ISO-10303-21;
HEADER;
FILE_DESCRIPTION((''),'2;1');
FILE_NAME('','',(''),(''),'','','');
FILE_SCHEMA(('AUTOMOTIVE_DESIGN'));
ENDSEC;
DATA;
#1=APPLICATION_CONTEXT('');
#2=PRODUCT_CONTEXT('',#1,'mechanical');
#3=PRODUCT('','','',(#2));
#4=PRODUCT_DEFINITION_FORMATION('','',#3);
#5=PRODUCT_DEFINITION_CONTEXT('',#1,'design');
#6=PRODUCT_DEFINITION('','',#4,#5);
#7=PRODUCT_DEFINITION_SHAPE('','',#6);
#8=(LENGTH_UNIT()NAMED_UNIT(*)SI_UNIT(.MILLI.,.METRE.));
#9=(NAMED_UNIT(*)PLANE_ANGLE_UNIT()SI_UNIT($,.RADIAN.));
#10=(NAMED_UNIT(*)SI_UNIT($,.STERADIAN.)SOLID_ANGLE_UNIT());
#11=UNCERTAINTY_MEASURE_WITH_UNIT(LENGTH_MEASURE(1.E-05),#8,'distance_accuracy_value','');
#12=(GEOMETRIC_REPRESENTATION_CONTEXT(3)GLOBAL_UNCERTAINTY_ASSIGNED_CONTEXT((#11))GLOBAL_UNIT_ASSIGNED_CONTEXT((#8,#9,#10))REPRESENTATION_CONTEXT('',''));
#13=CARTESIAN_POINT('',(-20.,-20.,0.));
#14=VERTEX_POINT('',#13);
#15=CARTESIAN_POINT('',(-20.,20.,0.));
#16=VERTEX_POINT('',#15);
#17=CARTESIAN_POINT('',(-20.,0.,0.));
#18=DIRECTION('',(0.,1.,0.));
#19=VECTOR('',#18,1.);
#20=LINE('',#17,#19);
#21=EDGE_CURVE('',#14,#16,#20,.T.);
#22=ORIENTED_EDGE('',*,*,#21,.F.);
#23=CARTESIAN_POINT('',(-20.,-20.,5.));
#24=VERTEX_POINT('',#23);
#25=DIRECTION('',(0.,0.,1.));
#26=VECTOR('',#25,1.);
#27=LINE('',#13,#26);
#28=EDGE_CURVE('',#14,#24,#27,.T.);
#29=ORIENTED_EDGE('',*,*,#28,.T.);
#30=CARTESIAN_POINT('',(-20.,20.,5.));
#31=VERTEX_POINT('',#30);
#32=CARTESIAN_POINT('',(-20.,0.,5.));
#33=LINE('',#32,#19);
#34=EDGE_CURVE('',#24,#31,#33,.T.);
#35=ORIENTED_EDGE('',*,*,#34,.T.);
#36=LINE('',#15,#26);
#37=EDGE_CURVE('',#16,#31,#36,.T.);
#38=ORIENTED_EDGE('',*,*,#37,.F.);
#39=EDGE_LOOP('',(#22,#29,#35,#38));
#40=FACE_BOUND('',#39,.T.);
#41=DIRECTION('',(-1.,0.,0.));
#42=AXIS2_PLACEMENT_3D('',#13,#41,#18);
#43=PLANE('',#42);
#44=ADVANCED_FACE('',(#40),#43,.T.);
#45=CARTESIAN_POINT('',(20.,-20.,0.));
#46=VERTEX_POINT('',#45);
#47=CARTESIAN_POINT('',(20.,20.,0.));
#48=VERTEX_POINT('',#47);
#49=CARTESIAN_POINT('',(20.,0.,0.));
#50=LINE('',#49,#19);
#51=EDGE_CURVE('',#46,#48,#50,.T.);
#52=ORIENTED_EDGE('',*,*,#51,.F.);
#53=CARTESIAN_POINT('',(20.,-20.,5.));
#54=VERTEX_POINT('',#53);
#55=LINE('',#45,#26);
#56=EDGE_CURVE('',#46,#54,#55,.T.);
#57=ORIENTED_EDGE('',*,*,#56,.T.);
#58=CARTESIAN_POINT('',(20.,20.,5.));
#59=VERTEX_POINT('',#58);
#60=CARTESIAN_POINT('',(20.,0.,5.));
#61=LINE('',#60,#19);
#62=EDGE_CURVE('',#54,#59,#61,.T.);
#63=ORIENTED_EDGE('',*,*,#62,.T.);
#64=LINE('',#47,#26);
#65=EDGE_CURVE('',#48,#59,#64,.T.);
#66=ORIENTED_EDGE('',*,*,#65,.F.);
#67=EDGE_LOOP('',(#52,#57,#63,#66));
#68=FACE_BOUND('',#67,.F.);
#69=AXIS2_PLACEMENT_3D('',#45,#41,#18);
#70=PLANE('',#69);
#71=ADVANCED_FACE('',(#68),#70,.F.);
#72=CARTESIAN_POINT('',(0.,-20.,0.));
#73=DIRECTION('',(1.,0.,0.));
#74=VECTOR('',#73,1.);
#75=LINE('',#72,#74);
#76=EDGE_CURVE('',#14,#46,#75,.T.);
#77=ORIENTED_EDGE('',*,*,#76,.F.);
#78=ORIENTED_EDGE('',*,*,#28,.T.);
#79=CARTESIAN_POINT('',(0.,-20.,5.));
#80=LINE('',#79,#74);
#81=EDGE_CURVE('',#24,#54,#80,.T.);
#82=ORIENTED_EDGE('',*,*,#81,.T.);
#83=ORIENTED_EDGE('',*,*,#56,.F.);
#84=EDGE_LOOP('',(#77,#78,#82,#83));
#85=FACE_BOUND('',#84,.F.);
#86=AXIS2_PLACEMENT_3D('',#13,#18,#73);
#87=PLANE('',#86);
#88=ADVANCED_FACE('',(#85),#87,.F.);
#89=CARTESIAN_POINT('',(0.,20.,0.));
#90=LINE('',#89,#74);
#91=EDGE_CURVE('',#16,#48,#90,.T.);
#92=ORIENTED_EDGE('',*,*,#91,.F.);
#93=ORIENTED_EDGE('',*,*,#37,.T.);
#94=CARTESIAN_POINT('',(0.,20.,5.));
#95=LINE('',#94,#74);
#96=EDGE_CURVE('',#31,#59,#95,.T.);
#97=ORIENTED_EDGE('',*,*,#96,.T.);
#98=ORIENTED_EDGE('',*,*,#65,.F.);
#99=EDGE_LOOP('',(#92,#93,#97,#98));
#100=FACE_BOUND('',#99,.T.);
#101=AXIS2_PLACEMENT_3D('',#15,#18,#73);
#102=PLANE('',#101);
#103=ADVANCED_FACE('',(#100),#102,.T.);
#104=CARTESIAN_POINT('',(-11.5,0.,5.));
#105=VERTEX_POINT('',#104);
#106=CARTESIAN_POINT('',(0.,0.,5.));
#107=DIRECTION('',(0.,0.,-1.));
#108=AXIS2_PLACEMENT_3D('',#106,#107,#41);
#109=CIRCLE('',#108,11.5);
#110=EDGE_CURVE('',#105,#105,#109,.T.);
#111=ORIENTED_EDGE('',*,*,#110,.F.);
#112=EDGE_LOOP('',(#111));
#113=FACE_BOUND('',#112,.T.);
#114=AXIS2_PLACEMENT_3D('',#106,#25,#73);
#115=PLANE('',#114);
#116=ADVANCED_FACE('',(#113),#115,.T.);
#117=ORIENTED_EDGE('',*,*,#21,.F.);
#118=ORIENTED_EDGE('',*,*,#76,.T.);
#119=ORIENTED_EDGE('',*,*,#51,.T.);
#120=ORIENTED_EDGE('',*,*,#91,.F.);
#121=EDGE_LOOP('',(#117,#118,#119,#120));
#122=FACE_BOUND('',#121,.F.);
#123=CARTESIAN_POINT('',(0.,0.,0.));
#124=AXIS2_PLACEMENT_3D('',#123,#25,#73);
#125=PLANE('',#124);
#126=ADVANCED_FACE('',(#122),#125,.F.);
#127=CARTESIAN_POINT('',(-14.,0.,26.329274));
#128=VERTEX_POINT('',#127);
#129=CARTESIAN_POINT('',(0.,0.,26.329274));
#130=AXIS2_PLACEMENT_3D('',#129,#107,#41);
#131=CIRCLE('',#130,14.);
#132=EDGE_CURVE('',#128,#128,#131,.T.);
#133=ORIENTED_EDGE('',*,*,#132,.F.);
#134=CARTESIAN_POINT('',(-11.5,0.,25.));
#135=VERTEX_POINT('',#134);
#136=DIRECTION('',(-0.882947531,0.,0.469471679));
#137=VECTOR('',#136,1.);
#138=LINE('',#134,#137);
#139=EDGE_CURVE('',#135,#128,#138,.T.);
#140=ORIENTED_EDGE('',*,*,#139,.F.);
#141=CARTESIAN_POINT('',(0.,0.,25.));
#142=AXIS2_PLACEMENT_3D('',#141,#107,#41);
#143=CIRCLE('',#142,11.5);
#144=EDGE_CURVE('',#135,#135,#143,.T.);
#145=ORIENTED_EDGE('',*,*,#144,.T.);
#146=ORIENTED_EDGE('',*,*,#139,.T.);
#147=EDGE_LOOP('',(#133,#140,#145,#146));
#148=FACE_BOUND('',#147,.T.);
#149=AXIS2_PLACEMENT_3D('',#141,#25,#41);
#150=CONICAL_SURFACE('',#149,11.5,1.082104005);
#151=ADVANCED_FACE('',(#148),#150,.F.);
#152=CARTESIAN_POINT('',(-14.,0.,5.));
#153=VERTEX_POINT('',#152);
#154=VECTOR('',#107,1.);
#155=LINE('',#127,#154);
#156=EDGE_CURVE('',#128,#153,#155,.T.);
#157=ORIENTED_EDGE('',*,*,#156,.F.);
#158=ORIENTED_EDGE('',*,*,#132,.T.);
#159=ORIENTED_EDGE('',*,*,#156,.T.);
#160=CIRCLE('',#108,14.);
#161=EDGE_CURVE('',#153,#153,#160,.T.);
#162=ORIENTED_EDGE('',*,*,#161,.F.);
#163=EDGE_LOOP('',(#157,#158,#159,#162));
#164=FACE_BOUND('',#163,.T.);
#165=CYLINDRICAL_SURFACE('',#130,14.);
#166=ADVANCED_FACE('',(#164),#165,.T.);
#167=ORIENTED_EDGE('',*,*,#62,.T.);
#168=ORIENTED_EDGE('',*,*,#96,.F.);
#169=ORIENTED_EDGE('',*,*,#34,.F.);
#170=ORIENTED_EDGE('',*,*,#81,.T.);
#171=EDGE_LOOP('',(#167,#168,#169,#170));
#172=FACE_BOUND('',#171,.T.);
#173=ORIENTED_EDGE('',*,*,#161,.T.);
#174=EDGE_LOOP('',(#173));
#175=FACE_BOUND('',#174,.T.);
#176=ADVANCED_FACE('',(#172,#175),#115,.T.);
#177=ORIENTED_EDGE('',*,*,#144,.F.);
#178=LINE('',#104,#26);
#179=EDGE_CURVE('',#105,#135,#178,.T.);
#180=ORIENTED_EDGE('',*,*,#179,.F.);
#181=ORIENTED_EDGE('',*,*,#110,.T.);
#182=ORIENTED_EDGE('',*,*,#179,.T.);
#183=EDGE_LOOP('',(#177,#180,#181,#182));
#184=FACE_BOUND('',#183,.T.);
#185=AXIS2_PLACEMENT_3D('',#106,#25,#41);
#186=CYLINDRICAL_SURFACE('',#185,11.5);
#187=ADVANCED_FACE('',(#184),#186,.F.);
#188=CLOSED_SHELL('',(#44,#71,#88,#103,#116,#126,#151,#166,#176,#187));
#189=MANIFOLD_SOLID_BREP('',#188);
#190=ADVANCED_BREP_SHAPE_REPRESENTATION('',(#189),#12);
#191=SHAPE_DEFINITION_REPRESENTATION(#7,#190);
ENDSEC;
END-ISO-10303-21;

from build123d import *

# Parameters (mm, degrees)
F0_W     = 40
F0_H     = 40
F1_DEPTH = 5


with BuildPart() as f1:
    # F0 (on Top) → F1 (new body)
    with BuildSketch(Plane.XY):
        Rectangle(F0_W, F0_H)
    extrude(amount=F1_DEPTH)

    # F2 (on Front) → F3 (revolve)
    with BuildSketch(Plane.XZ):
        Polygon((-14, 26.329274), (-14, 5), (-11.5, 5), (-11.5, 25), align=None)
    revolve(axis=Axis((0, 0, 17.722977), (0, 0, -1)))


solid = f1.part
